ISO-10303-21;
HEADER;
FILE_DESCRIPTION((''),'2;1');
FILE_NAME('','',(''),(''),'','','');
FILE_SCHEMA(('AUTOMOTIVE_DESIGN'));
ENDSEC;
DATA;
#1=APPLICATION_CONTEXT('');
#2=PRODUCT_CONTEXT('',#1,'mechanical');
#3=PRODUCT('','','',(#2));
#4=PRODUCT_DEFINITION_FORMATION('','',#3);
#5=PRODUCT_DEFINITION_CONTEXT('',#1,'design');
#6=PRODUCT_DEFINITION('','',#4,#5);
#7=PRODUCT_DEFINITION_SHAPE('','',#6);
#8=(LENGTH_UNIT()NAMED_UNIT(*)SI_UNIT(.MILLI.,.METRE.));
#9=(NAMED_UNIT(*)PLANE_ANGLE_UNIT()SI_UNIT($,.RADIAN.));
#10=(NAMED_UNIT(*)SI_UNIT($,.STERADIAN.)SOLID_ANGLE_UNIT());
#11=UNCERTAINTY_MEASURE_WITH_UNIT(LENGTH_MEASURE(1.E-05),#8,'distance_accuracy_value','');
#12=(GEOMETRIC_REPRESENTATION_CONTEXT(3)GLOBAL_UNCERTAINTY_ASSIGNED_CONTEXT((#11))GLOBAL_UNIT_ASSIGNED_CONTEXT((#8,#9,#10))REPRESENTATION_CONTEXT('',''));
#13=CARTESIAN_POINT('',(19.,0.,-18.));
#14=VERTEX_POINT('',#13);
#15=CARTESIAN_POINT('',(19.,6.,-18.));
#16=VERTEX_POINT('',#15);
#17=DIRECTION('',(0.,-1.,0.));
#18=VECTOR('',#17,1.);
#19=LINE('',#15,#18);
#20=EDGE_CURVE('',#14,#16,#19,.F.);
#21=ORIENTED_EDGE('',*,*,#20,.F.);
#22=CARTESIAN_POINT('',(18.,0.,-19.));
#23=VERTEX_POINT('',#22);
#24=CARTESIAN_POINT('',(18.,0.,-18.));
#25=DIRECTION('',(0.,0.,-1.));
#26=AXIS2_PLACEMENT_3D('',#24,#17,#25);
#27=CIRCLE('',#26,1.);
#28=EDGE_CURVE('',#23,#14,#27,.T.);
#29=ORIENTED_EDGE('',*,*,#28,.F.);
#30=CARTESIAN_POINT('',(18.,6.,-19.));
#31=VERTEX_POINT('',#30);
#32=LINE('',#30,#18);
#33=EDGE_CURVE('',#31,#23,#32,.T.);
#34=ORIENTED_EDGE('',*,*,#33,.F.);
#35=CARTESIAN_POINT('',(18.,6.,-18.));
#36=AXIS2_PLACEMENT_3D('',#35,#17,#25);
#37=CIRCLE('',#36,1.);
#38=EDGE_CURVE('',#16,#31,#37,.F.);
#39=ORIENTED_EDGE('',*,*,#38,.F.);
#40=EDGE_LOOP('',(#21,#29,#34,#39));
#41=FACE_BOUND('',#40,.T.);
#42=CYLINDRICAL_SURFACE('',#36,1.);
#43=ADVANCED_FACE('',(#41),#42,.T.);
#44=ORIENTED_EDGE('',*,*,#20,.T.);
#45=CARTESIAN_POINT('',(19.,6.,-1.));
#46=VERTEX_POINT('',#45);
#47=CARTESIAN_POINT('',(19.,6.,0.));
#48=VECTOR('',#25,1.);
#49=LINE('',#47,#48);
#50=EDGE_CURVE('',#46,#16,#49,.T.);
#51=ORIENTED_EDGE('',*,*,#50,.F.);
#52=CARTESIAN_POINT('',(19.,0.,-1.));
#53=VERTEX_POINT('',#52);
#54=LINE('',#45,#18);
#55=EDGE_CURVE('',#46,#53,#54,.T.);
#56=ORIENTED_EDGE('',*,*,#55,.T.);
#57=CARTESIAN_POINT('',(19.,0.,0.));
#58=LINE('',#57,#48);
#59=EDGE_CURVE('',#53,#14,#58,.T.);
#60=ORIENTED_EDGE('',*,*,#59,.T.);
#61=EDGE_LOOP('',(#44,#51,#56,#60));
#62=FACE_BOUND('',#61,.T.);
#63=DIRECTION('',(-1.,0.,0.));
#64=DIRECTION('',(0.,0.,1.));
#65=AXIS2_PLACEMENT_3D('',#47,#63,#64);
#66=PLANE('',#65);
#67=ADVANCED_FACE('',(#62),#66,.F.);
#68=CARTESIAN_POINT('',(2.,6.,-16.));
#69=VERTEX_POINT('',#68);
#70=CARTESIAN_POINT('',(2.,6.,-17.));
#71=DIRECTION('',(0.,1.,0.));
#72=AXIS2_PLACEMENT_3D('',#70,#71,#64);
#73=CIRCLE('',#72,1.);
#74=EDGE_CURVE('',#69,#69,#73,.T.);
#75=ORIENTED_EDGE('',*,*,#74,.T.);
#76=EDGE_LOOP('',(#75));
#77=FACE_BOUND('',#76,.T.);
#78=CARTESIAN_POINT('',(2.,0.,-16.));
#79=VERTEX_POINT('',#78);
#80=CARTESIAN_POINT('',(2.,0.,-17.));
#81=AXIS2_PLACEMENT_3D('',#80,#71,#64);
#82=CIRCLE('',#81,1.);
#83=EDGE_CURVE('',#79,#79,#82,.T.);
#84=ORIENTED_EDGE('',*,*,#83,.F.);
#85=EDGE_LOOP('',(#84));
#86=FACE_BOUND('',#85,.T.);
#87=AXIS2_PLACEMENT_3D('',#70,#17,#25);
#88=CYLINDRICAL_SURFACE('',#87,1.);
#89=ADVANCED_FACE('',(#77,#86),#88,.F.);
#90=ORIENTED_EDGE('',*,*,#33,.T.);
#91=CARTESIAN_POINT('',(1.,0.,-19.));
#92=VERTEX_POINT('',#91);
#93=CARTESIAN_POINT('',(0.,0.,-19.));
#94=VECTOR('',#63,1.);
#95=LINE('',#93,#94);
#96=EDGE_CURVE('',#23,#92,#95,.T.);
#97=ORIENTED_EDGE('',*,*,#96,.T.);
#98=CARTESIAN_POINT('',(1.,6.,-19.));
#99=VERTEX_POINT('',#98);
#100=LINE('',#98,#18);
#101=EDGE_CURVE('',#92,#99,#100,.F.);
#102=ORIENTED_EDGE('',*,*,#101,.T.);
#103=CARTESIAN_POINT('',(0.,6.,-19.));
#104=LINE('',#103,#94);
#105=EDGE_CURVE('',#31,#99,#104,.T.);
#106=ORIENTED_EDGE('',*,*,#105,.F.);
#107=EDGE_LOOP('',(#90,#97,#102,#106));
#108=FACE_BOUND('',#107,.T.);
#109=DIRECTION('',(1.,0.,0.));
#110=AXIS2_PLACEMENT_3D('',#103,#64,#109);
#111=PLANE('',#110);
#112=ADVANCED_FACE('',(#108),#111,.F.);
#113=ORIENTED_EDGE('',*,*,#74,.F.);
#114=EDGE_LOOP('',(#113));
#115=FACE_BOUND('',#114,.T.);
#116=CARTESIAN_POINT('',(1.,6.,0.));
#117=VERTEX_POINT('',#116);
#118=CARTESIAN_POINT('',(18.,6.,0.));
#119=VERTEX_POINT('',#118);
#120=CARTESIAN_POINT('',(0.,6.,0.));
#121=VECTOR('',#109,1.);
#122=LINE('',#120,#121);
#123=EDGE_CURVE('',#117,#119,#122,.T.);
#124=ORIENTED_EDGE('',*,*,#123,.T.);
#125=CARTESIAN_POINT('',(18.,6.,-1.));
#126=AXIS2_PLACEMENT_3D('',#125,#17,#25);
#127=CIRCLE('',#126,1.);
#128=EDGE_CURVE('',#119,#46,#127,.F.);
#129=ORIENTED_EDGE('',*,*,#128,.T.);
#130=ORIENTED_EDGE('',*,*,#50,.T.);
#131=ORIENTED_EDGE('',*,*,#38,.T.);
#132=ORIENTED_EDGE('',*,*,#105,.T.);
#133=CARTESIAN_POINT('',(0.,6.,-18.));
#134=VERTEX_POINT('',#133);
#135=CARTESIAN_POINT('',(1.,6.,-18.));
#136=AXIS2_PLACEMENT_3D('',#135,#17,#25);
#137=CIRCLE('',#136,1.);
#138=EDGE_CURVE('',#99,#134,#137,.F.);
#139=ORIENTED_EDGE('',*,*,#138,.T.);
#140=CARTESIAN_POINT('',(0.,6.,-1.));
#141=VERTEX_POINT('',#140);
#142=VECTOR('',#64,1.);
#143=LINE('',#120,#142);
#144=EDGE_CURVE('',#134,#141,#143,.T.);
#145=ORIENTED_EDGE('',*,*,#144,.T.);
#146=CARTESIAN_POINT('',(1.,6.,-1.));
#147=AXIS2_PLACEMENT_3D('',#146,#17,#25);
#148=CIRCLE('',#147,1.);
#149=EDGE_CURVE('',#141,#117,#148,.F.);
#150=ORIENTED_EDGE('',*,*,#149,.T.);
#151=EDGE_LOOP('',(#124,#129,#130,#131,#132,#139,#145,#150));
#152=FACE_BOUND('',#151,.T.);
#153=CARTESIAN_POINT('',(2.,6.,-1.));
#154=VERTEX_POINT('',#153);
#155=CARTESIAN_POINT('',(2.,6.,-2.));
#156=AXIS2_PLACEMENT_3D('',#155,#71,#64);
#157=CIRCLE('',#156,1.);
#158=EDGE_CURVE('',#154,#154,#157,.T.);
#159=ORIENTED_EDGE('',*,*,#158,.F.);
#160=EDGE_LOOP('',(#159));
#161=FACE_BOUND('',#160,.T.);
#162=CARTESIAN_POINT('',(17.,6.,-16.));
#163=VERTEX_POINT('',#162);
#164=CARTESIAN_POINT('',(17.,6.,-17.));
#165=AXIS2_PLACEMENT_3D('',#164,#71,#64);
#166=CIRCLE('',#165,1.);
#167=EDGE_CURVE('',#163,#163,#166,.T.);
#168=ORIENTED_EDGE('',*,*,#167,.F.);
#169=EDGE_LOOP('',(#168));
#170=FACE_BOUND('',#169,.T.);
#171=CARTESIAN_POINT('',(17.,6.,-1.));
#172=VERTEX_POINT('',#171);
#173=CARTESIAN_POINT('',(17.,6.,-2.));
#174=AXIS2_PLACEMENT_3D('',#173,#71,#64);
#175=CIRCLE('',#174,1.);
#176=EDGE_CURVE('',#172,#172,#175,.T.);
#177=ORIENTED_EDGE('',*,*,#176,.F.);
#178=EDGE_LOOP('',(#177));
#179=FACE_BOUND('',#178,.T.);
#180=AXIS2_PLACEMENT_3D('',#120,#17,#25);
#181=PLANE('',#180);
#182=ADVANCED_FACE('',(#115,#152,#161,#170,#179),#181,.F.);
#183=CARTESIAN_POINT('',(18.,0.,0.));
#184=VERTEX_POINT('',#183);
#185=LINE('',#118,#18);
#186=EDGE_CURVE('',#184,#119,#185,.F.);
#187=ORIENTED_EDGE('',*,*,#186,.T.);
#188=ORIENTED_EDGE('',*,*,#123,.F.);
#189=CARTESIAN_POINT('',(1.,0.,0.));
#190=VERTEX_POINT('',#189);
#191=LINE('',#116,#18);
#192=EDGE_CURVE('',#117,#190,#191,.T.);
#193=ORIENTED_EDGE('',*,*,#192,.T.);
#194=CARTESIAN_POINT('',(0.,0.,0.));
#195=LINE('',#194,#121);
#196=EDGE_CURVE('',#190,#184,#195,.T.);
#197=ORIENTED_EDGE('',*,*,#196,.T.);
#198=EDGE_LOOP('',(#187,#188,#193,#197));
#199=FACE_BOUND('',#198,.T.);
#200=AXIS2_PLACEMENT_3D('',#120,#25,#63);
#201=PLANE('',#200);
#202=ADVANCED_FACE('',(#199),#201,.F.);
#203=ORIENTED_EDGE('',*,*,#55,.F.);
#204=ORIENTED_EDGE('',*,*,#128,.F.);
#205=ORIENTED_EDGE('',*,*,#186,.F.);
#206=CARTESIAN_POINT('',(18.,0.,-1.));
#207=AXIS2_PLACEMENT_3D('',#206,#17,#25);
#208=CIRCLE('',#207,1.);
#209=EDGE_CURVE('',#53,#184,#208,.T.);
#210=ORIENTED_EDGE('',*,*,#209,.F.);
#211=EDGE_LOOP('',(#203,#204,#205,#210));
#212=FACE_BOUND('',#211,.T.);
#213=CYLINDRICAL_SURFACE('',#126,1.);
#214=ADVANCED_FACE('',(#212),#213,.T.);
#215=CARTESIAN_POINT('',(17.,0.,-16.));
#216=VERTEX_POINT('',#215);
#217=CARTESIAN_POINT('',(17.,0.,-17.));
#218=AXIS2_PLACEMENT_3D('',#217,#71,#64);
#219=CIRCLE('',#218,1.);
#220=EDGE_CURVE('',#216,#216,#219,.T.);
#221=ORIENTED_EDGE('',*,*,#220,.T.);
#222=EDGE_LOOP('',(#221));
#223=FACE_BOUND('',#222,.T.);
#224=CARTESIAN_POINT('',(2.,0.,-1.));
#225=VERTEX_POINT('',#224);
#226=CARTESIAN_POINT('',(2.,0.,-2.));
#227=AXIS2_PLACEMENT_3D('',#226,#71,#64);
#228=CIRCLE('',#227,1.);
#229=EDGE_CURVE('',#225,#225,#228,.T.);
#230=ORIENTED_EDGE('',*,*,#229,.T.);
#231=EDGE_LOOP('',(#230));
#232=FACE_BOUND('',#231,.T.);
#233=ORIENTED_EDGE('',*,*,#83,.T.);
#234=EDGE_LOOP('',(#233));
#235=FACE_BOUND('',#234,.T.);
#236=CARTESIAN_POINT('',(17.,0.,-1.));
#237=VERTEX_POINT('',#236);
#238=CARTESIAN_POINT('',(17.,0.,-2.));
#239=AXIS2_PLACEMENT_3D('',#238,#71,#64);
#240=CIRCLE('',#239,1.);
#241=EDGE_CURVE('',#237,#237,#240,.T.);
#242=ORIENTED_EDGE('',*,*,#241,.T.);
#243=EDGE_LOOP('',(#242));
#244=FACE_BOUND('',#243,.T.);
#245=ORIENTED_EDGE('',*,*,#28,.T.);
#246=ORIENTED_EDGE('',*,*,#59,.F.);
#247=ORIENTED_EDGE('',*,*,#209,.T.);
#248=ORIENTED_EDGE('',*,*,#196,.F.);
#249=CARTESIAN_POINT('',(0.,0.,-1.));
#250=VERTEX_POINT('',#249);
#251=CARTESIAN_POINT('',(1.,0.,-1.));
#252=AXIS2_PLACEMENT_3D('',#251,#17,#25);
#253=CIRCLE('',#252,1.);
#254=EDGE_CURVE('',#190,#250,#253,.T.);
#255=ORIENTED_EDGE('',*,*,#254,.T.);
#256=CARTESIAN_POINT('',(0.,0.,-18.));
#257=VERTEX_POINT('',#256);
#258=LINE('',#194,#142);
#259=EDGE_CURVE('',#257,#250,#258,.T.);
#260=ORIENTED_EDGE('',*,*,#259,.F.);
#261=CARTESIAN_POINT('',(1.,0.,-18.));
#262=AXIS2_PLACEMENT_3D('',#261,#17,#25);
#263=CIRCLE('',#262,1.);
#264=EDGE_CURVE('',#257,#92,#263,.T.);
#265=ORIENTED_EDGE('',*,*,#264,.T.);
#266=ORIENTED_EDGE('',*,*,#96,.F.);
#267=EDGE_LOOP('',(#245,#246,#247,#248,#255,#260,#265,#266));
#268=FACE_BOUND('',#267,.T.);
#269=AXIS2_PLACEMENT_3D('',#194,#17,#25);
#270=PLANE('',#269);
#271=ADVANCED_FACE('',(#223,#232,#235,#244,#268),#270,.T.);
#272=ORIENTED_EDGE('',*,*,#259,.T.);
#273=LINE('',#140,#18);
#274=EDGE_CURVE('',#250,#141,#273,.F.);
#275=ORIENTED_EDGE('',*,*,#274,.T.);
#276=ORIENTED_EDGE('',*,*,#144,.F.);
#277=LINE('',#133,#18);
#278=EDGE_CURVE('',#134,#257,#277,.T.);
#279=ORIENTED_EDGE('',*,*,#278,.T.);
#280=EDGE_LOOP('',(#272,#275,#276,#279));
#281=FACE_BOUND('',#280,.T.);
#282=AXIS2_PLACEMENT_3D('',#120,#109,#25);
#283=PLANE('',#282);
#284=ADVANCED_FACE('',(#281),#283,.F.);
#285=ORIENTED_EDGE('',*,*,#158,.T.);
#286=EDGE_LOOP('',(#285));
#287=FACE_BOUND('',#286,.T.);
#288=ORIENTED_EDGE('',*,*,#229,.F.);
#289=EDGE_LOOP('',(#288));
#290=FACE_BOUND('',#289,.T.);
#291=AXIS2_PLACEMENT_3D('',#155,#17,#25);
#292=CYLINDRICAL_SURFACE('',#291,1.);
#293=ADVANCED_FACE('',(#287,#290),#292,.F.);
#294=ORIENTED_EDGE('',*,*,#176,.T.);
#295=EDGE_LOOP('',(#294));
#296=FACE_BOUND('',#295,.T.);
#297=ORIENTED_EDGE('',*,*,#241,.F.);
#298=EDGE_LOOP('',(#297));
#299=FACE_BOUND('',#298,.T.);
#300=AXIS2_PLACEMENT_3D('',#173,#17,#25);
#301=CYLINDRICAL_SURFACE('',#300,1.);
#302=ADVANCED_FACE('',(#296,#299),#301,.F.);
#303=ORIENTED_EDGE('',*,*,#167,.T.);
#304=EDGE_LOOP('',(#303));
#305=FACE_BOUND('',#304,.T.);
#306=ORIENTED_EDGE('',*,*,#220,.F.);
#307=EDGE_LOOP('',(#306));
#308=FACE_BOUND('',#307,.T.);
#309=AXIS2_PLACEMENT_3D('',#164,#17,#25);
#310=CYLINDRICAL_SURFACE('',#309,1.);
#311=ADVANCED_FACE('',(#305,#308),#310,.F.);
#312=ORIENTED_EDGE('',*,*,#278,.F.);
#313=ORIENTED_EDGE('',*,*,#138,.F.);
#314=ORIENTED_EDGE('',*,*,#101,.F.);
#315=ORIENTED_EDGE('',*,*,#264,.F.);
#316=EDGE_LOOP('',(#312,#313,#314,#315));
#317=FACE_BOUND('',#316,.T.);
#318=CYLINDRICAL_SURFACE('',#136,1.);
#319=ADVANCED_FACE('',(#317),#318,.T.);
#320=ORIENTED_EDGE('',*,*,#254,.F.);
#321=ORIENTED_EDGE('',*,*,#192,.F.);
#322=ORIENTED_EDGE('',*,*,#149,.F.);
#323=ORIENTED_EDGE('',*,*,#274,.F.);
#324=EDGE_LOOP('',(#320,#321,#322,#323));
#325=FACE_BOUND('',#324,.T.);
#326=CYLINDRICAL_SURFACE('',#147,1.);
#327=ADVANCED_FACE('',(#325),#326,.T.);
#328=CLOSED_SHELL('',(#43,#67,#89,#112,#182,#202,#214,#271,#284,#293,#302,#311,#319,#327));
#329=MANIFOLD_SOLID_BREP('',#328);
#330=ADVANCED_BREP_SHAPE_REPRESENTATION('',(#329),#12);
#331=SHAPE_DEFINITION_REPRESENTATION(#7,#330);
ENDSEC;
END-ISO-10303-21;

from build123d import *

# Parameters (mm, degrees)
SKETCH_1_W      = 19
SKETCH_1_H      = 19
SKETCH_1_R      = 1
EXTRUDE_1_DEPTH = 6
FILLET_1_R      = 1


with BuildPart() as part:
    # Эскиз1 → Бобышка-Вытянуть1 (new body)
    with BuildSketch(Plane(origin=(0, 0, 0), x_dir=(1, 0, 0), z_dir=(0, 1, 0))):
        with Locations((9.5, 9.5)):
            Rectangle(SKETCH_1_W, SKETCH_1_H)
        with Locations(Location((2, 17, 0), (0, 0, 270))):
            Circle(SKETCH_1_R, mode=Mode.SUBTRACT)
        with Locations(Location((17, 17, 0), (0, 0, 270))):
            Circle(SKETCH_1_R, mode=Mode.SUBTRACT)
        with Locations(Location((17, 2, 0), (0, 0, 270))):
            Circle(SKETCH_1_R, mode=Mode.SUBTRACT)
        with Locations(Location((2, 2, 0), (0, 0, 270))):
            Circle(SKETCH_1_R, mode=Mode.SUBTRACT)
    extrude(amount=EXTRUDE_1_DEPTH)

    # Скругление1
    fillet_1_edges = [part.edges().sort_by_distance(p)[0] for p in [
        (0, 3, -19),
        (19, 3, -19),
        (19, 3, 0),
        (0, 3, 0),
    ]]
    fillet(fillet_1_edges, radius=FILLET_1_R)


solid = part.part
